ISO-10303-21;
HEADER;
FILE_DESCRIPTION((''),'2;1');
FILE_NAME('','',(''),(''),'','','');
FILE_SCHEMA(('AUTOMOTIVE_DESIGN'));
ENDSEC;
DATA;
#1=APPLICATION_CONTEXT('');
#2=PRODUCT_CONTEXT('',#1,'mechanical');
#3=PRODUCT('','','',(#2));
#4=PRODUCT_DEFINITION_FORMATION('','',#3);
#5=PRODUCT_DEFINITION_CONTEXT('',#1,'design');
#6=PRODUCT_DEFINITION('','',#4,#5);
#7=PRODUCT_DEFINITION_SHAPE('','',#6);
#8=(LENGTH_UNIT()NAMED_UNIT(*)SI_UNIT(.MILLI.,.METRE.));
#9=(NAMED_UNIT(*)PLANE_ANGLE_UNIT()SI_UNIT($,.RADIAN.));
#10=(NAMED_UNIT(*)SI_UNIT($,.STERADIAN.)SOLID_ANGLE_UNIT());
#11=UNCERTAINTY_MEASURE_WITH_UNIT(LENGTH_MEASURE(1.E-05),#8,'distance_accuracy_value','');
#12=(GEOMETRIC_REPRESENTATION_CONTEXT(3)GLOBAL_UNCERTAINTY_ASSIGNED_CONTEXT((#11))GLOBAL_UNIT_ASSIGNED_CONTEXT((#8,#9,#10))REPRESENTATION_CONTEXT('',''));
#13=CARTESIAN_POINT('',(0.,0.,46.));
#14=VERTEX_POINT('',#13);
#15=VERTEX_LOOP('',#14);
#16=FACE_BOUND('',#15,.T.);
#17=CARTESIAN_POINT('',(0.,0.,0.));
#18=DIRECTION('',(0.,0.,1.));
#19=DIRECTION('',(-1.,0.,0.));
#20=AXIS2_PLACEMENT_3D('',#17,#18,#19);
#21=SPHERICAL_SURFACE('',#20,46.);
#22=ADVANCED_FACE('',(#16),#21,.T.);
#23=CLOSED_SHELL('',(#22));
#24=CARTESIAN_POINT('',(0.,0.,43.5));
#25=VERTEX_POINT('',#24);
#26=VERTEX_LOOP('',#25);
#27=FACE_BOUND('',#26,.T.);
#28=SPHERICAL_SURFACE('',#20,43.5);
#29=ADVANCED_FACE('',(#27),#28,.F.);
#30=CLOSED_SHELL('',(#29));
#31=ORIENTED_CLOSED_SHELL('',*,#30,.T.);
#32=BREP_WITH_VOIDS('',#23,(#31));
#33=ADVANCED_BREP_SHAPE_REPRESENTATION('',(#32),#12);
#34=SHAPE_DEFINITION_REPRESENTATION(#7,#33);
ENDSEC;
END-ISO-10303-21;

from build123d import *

# Parameters (mm, degrees)
SHELL1_T = 2.5


with BuildPart() as part:
    # Sketch1 → Revolve2 (revolve)
    with BuildSketch(Plane(origin=(0, 0, 0), x_dir=(1, 0, 0), z_dir=(0, 1, 0))):
        with BuildLine():
            Line((0, -46), (0, 46))
            ThreePointArc((0, 46), (-46, 0), (0, -46))
        make_face()
    revolve(axis=Axis((0, 0, 46), (0, 0, -1)))

    # Shell1 (no face opened: a closed hollow body)
    add(offset(amount=-SHELL1_T, mode=Mode.PRIVATE), mode=Mode.SUBTRACT)


solid = part.part
